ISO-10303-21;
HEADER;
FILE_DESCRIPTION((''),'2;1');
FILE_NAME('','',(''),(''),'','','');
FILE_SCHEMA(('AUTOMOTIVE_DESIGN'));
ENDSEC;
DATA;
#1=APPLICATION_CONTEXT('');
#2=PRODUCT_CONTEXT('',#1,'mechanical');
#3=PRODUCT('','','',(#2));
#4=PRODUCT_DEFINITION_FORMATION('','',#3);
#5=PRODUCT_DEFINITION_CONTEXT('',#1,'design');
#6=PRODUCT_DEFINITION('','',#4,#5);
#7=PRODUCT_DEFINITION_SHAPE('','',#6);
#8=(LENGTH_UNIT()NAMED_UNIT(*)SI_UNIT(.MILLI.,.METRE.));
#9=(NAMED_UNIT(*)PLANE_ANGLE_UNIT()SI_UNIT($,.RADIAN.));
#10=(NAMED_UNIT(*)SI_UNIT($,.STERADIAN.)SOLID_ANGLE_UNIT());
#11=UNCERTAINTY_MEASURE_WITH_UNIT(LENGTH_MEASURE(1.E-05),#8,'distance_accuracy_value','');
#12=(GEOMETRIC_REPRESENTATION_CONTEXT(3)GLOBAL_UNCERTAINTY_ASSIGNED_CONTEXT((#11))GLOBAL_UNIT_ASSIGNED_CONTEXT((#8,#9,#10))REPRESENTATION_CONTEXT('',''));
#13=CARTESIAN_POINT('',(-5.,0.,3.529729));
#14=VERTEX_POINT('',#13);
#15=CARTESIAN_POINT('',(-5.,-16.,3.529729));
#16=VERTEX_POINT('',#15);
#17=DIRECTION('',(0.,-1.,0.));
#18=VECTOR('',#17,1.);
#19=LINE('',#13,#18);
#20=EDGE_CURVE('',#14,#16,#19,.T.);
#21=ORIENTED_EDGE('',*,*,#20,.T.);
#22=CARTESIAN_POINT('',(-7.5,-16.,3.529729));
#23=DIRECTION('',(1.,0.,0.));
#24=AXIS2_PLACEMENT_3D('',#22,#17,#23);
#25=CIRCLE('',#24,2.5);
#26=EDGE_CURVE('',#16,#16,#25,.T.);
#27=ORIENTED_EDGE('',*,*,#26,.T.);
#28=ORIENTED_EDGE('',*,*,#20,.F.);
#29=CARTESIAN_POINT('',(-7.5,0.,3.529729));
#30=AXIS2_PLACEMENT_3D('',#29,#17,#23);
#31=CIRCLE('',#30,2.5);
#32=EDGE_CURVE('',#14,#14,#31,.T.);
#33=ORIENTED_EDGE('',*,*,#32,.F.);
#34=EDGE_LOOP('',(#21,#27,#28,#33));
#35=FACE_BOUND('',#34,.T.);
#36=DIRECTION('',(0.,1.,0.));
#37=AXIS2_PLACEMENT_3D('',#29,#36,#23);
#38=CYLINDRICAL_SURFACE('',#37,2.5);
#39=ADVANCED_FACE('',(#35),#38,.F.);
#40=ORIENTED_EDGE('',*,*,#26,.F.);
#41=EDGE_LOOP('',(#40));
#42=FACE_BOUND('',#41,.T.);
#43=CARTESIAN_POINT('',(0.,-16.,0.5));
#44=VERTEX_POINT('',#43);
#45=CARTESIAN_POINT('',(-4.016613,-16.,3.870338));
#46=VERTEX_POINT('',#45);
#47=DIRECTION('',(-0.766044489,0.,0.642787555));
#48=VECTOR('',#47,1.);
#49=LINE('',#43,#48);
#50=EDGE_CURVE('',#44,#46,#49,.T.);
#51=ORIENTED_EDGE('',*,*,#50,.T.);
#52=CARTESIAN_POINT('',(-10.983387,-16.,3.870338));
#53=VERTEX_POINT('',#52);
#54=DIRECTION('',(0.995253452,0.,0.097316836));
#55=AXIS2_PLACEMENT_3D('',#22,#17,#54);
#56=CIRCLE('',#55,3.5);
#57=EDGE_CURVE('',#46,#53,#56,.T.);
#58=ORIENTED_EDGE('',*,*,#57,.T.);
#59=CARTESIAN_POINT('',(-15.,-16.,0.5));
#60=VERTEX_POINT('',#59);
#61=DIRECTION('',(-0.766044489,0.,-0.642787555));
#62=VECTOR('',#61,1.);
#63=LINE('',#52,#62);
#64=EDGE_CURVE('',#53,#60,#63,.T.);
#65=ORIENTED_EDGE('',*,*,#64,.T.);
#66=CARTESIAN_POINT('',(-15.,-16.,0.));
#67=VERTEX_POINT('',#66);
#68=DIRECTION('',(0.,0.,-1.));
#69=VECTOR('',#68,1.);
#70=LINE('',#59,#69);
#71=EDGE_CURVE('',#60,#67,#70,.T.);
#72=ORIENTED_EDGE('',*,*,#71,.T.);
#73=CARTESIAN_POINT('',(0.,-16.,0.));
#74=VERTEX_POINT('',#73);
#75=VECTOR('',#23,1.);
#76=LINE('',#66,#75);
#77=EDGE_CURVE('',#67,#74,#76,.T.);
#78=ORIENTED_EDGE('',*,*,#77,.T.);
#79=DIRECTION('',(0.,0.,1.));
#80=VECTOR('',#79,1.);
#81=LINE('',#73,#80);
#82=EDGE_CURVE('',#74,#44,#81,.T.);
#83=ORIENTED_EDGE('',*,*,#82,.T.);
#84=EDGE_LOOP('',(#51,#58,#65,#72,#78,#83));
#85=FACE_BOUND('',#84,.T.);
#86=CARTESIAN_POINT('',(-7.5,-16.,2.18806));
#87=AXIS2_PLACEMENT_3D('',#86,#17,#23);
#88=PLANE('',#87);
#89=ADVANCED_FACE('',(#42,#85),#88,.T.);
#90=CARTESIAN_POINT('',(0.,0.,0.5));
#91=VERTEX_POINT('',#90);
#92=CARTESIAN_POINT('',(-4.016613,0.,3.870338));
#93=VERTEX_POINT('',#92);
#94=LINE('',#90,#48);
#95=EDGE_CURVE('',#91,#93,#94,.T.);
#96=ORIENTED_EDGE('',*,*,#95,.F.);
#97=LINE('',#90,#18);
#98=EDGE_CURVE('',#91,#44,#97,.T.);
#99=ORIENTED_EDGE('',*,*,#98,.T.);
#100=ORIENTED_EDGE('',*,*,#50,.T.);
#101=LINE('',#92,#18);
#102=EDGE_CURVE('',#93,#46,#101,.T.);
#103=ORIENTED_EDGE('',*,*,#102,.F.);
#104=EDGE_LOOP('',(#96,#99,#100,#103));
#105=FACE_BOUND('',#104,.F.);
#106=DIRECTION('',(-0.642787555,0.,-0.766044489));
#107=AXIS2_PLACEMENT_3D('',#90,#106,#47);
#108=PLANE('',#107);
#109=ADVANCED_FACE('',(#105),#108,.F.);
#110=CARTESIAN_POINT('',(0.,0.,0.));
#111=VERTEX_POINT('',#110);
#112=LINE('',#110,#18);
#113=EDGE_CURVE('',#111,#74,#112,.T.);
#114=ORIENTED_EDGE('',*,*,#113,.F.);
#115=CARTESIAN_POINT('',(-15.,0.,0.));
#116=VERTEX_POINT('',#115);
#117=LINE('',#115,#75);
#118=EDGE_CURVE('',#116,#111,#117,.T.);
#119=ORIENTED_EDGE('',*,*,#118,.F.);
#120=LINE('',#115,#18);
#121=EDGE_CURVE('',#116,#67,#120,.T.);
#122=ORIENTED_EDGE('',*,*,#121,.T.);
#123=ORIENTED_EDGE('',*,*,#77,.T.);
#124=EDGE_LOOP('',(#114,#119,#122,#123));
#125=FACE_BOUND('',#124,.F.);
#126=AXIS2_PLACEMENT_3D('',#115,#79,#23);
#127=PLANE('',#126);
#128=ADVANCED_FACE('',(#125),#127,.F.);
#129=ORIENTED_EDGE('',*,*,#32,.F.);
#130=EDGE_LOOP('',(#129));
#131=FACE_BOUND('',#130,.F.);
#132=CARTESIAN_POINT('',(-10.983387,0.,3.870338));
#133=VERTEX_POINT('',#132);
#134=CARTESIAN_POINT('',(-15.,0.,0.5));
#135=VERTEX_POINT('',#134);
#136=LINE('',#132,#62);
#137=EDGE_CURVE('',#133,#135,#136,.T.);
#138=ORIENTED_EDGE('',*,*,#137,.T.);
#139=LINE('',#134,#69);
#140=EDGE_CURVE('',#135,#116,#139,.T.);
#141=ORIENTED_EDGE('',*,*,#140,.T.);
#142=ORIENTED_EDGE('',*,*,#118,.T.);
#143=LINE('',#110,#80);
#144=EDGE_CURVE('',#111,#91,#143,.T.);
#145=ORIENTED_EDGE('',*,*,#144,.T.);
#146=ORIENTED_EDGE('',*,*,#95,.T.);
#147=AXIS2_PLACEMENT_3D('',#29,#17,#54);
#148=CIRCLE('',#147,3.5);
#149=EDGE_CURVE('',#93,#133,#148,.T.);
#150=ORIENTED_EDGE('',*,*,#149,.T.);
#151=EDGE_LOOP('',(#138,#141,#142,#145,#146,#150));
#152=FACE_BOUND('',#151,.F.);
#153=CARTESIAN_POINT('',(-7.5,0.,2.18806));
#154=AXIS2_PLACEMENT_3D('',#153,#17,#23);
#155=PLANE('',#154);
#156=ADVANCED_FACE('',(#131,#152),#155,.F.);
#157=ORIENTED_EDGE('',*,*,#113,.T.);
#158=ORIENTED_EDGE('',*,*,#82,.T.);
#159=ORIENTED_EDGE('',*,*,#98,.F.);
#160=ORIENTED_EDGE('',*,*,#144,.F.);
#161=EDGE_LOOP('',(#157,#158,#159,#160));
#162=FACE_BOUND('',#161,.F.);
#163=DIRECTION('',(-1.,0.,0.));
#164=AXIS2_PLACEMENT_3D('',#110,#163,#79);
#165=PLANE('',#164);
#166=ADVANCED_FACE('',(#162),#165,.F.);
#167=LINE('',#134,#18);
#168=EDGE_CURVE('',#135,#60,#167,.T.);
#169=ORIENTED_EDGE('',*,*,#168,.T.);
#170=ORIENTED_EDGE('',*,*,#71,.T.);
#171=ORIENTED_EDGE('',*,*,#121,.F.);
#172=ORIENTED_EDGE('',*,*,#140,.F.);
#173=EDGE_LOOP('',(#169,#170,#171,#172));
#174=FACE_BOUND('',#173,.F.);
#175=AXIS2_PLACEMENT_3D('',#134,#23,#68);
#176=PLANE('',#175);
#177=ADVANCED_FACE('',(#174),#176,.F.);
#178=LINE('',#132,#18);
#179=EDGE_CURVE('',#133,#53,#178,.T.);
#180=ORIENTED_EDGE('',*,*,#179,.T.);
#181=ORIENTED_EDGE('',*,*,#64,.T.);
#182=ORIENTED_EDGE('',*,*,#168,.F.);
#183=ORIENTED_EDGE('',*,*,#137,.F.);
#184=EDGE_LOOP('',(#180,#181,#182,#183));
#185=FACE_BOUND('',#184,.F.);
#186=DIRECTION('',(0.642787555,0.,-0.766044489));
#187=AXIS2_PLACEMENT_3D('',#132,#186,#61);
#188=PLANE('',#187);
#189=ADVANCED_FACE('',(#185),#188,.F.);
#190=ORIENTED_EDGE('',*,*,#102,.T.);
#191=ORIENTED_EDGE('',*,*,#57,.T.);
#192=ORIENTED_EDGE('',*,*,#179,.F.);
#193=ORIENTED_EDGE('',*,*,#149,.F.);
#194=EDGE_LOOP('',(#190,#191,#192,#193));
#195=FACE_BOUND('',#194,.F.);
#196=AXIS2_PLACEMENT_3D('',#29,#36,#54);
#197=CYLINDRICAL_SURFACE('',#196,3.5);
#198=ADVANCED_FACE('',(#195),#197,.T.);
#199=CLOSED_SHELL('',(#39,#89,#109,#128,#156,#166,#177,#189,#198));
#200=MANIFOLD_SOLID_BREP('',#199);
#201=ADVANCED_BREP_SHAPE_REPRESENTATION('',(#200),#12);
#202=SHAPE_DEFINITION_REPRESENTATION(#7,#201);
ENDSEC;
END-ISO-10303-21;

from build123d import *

# Parameters (mm, degrees)
F0_R     = 2.5
F1_DEPTH = 16


with BuildPart() as f1:
    # F0 (on Front) → F1 (new body)
    with BuildSketch(Plane.XZ):
        with BuildLine():
            Line((-15, 0), (0, 0))
            Line((0, 0), (0, 0.5))
            Line((0, 0.5), (-4.016613, 3.870338))
            ThreePointArc((-4.016613, 3.870338), (-7.5, 7.029729), (-10.983387, 3.870338))
            Line((-10.983387, 3.870338), (-15, 0.5))
            Line((-15, 0.5), (-15, 0))
        make_face()
        with Locations((-7.5, 3.529729)):
            Circle(F0_R, mode=Mode.SUBTRACT)
    extrude(amount=F1_DEPTH)


solid = f1.part
